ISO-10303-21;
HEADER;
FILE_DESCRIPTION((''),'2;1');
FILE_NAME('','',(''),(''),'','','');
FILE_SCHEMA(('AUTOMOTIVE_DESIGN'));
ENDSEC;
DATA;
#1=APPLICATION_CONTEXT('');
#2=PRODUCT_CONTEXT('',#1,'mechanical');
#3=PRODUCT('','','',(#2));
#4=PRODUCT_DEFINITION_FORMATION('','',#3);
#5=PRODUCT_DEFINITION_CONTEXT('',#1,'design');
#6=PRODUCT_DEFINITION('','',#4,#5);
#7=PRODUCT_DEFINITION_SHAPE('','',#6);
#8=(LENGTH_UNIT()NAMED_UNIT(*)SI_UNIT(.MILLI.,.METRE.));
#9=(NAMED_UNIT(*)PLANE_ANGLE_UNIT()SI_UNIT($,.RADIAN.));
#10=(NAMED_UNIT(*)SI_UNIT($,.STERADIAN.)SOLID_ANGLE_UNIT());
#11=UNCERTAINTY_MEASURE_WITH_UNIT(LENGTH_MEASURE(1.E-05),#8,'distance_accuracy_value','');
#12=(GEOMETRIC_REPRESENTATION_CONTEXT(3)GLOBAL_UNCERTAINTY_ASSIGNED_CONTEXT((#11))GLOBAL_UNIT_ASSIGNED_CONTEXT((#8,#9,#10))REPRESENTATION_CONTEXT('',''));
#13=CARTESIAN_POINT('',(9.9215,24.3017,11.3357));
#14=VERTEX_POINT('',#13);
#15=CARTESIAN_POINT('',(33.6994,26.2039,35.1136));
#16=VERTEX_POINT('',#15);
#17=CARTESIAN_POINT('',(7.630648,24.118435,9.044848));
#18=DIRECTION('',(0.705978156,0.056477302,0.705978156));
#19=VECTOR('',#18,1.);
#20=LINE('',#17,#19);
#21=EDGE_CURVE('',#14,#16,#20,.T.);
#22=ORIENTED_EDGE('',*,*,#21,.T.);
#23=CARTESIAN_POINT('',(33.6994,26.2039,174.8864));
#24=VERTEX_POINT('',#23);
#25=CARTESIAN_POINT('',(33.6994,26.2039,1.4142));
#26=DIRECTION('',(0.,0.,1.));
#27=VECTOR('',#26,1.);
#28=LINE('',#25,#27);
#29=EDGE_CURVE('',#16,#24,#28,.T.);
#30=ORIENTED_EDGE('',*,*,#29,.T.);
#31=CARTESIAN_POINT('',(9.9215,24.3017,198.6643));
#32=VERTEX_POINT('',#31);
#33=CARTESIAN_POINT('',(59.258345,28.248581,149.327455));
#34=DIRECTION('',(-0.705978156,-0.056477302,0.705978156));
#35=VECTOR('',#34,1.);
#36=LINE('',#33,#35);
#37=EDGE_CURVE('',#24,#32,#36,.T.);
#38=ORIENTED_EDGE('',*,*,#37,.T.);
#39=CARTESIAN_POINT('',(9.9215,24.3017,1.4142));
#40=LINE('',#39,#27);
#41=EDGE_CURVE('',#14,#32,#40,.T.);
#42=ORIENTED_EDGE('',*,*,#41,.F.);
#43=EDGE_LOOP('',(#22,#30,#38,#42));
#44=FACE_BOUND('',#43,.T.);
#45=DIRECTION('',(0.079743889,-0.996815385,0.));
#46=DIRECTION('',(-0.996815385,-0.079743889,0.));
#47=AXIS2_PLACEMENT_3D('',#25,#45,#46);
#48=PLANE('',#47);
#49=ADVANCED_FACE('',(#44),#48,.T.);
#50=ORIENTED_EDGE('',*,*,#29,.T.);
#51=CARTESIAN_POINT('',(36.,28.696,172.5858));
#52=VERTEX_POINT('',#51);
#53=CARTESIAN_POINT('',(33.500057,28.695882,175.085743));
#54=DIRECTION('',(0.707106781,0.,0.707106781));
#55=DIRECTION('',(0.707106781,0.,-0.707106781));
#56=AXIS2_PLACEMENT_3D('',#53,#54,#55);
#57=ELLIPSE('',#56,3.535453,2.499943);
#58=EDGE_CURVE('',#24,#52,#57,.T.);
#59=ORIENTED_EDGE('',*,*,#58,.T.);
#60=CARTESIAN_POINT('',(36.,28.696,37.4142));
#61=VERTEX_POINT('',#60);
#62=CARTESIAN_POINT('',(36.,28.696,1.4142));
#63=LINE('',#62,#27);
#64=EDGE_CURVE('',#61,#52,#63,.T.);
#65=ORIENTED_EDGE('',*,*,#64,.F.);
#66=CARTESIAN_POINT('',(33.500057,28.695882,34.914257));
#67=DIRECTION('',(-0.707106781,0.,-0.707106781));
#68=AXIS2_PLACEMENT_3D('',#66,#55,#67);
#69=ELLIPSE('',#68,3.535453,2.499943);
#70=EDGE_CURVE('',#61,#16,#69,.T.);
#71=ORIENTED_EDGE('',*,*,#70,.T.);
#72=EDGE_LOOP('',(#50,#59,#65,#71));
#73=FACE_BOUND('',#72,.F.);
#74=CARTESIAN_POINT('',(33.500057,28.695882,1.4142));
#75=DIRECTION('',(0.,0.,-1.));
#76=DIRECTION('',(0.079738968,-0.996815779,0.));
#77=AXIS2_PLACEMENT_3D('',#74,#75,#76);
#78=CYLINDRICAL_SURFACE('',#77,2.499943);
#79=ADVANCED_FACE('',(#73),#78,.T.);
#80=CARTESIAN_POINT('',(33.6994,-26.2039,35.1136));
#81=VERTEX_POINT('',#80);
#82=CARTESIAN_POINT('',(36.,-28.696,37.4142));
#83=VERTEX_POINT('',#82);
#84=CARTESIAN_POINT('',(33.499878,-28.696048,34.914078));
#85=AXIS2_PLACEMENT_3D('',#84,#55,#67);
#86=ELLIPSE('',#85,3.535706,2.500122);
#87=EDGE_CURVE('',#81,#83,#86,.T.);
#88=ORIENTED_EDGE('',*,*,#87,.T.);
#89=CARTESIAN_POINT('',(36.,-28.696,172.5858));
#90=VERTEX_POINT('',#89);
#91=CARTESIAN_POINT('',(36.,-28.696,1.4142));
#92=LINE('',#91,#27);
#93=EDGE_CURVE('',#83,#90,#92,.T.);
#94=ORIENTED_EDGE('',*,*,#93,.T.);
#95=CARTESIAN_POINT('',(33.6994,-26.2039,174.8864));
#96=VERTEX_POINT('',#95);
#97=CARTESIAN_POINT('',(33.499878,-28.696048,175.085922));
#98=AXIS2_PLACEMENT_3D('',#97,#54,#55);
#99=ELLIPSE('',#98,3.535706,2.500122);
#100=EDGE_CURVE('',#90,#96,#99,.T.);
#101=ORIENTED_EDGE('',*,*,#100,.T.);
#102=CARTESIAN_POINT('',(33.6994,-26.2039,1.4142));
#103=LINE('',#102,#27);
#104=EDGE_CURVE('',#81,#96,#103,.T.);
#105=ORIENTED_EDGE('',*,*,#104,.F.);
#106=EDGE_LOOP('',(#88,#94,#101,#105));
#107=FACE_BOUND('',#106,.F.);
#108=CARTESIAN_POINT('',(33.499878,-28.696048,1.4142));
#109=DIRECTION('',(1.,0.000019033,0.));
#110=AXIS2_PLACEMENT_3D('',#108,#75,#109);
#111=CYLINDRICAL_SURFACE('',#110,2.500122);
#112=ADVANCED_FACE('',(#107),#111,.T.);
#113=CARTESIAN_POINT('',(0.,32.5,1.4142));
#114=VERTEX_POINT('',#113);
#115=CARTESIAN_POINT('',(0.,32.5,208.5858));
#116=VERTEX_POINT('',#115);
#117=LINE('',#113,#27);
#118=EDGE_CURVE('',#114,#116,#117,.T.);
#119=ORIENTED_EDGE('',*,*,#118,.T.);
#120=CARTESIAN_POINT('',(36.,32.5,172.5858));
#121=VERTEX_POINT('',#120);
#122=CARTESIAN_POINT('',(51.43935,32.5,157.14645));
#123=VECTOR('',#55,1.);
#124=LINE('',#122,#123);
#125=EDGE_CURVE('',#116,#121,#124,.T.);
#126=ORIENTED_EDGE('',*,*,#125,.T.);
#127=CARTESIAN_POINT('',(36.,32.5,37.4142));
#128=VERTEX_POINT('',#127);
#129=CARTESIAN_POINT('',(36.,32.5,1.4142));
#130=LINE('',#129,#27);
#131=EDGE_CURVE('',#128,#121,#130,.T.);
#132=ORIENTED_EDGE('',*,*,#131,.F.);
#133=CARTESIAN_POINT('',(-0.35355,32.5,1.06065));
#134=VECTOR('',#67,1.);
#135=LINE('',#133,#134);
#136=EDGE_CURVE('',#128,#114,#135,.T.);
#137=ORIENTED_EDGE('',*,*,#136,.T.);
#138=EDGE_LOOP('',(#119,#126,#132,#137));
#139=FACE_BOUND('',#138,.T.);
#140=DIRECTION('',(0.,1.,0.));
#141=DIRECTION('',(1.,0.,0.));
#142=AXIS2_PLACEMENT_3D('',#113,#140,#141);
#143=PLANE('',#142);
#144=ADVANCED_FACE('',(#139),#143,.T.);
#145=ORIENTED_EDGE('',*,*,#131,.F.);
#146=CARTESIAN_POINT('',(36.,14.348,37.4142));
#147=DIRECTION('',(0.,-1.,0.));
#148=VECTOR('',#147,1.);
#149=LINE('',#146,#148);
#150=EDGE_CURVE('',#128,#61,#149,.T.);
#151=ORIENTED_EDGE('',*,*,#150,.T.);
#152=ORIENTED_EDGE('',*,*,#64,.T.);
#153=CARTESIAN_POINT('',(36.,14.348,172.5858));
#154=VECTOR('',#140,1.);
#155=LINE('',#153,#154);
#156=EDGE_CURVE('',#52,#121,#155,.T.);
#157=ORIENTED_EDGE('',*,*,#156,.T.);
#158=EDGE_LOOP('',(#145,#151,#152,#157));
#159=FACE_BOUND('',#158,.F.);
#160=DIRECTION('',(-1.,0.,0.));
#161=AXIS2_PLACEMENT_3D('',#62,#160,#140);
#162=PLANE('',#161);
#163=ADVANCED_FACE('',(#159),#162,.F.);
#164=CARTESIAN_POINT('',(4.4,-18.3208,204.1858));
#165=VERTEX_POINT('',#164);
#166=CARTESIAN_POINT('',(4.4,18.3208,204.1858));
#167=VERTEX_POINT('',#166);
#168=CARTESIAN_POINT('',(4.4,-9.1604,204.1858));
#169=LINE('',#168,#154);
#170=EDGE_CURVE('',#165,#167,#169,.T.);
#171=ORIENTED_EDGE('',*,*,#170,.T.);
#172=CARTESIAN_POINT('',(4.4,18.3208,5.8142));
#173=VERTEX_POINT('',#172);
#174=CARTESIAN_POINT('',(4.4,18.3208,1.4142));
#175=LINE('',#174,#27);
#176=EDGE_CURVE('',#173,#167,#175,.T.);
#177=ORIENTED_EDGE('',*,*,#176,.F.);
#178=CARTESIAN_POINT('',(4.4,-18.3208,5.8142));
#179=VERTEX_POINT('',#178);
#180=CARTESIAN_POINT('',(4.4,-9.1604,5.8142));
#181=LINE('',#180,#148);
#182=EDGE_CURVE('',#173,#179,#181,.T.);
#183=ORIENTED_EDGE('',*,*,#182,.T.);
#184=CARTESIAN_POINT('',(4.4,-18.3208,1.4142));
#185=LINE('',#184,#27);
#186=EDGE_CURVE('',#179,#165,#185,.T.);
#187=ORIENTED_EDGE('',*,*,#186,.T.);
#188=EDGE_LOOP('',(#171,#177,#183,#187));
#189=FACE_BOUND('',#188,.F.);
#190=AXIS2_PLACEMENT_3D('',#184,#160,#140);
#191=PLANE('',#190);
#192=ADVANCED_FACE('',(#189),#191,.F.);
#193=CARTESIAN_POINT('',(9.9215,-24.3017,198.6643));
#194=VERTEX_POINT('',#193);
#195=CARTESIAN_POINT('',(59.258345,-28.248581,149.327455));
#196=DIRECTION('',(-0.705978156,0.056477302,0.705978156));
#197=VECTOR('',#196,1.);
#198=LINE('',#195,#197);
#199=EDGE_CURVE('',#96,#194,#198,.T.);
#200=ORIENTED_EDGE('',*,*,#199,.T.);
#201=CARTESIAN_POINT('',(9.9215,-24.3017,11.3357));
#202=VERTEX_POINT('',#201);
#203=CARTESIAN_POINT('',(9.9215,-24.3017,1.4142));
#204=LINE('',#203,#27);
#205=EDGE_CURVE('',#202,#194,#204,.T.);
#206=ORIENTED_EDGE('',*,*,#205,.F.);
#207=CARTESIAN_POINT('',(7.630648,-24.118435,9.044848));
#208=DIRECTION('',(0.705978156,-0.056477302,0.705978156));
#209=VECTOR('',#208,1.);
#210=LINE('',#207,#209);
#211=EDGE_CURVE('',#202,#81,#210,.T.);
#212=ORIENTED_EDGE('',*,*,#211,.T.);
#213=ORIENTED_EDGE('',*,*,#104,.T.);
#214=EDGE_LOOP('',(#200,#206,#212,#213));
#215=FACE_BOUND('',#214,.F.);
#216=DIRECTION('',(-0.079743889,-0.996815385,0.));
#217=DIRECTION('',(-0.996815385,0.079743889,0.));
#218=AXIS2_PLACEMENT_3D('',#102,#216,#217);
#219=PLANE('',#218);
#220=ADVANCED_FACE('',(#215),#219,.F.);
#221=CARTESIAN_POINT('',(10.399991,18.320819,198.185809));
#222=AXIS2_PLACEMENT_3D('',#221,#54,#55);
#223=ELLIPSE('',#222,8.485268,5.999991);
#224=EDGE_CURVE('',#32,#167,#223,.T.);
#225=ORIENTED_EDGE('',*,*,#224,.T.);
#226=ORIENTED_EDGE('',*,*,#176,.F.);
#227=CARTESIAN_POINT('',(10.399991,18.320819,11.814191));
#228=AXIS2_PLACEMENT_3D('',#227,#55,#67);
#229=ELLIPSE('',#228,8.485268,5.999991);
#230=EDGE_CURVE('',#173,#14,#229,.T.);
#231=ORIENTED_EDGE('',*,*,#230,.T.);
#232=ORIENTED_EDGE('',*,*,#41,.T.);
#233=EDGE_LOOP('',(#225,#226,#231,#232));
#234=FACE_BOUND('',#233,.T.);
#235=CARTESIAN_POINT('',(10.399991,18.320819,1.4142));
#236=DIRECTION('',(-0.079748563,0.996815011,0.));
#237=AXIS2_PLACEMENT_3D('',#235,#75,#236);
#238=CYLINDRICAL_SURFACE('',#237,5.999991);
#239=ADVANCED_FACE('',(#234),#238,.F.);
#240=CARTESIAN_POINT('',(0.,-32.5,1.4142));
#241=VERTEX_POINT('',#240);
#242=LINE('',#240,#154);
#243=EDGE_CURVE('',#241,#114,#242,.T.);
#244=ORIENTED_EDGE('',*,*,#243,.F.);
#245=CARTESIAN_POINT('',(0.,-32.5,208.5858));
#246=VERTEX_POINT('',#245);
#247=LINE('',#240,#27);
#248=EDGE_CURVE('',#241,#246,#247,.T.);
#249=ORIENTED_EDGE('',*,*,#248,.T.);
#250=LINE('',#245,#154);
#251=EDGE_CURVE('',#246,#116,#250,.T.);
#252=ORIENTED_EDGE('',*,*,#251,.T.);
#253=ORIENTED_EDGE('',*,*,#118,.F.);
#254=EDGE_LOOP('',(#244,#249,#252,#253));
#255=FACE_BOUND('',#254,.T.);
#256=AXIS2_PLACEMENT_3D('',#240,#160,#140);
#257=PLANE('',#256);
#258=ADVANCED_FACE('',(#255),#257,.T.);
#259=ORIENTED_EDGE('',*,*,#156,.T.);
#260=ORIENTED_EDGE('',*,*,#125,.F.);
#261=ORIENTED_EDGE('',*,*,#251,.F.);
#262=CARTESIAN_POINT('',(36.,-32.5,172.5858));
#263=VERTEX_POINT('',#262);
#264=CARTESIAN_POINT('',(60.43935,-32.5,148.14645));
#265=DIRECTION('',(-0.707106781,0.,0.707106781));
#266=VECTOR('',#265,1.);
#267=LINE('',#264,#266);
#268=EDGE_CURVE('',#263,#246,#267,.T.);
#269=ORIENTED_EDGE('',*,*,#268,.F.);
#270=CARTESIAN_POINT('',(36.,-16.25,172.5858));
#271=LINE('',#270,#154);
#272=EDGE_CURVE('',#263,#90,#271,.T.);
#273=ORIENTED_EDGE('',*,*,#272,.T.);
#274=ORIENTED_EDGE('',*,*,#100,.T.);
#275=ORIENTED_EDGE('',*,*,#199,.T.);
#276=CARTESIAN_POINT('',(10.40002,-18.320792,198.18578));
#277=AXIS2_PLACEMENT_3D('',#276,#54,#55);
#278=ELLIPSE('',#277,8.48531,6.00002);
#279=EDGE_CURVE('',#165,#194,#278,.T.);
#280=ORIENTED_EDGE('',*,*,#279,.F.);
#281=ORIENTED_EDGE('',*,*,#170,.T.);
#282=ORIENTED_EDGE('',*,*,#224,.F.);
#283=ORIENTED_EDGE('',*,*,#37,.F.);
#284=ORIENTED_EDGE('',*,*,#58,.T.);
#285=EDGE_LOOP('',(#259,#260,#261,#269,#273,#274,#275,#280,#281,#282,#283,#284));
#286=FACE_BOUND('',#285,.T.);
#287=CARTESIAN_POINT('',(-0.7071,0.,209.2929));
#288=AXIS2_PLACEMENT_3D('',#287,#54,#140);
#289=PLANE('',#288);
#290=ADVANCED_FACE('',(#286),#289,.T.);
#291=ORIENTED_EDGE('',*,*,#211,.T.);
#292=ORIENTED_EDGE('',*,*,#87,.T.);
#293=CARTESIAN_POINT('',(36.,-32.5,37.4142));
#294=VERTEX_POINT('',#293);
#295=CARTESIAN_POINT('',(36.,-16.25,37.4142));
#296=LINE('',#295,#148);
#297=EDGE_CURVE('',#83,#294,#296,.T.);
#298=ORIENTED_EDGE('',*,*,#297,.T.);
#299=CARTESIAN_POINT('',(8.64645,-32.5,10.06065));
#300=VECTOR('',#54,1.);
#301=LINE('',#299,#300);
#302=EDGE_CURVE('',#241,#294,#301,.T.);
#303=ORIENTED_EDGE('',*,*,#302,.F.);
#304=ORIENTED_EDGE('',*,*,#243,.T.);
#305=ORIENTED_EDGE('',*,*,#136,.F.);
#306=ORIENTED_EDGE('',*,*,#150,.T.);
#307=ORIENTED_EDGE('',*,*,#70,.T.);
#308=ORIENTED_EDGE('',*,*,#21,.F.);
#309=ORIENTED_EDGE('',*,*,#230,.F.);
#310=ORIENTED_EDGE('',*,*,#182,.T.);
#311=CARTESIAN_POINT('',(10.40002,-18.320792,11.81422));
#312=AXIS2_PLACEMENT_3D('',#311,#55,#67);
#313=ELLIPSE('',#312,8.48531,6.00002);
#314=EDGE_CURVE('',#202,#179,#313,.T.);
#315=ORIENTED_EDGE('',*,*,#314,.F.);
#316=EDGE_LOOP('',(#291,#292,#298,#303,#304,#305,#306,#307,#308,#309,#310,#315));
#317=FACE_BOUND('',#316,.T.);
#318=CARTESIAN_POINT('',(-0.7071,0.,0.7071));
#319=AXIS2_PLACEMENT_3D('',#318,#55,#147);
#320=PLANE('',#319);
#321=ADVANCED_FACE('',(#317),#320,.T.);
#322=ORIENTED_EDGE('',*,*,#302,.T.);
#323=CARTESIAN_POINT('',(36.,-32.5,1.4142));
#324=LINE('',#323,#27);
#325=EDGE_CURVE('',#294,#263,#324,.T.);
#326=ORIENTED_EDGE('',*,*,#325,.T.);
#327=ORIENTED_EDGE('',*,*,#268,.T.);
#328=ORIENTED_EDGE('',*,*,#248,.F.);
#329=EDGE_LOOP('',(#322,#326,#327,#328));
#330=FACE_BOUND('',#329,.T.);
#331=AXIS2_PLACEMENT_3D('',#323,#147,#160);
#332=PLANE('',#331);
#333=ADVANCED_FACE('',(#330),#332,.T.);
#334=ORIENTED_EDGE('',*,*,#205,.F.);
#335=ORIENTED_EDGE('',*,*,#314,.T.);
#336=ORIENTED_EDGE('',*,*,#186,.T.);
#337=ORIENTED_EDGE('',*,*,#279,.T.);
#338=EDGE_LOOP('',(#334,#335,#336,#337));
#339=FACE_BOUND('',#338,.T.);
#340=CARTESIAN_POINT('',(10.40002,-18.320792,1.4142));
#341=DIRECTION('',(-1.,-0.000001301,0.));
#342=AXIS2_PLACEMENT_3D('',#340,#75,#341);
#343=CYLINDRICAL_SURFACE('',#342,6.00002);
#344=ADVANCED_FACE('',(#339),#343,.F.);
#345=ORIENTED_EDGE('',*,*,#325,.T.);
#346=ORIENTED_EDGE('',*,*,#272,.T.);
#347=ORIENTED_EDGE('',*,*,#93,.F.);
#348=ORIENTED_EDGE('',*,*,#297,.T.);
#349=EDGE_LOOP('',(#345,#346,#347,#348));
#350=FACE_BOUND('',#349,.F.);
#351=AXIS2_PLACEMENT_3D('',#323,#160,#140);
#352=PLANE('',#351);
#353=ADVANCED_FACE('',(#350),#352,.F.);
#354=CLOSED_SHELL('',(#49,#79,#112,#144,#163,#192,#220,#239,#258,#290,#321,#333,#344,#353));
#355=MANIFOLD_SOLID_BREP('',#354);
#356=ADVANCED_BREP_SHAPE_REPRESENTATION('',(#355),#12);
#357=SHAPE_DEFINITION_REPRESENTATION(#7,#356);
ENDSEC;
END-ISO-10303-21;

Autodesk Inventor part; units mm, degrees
ref_plane "Начальная плоскость" through (0, 0, 1.4142) normal (0, 0, 1) x (1, 0, 0)
ref_plane "Конечная плоскость" through (0, 0, 208.5858) normal (0, 0, 1) x (1, 0, 0)
sketch "Эскиз" plane through (0, 0, 0) normal (0, 0, 1) x (1, 0, 0)
  line L0 (36, -32.5) -> (0, -32.5)
  line L1 (36, -32.5) -> (36, -28.696)
  line L2 (33.6994, -26.2039) -> (9.9215, -24.3017)
  line L3 (4.4, -18.3208) -> (4.4, 18.3208)
  line L4 (33.6994, 26.2039) -> (9.9215, 24.3017)
  line L5 (36, 28.696) -> (36, 32.5)
  line L6 (0, 32.5) -> (36, 32.5)
  line L7 (0, -32.5) -> (0, 32.5)
  arc A0 (4.4, -18.3208) -> (9.9215, -24.3017) centre (10.4, -18.3208) ccw
  arc A1 (9.9215, 24.3017) -> (4.4, 18.3208) centre (10.4, 18.3208) ccw
  arc A2 (36, -28.696) -> (33.6994, -26.2039) centre (33.5, -28.696) ccw
  arc A3 (33.6994, 26.2039) -> (36, 28.696) centre (33.5, 28.696) ccw
  line L8 (0, 45.5) -> (0, -45.5) construction
  line L9 (-7.2974, 0) -> (43.7847, 0) construction
  point P0 (36, -26.388)
  point P1 (4.4, -23.86)
  point P2 (4.4, 23.86)
  point P3 (36, 26.388)
  dimension "d3" = 36
  dimension "d5" = 4.4
  dimension "d7" = 65
  dimension "d9" = 8.64
  dimension "d11" = 8.64
  dimension "d13" = 6.112
  dimension "d15" = 6.112
  dimension "d22" = 6
  dimension "d23" = 2.5
  dimension "d24" = 32.5
  dimension "d25" = 0
extrude "Тело" add sketch "Эскиз" along normal up to surface (207.1716 mm away) from surface at 1.4142
sketch "Sketch3" plane through (0, 0, 0) normal (0, 0, 1) x (1, 0, 0)
  line L0 (0, 0) -> (10, 0)
ref_plane "Work Plane7" through (0, 0, 0) normal (0, -1, 0) x (1, 0, 0)
sketch "Sketch4" plane through (0, 0, 0) normal (0, -1, 0) x (1, 0, 0)
  line L0 (-2, 1.4142) -> (12, 1.4142)
  line L1 (-2, 208.5858) -> (12, 208.5858)
  dimension "d29" = 207.1716
ref_plane "РабПлоскость8" through (-0.7071, 0, 0.7071) normal (0.7071, 0, -0.7071) x (-0.7071, 0, -0.7071)
split "Разделение1" plane through (-0.7071, 0, 0.7071) removes the side toward (0.7071, 0, -0.7071)
ref_plane "РабПлоскость9" through (-0.7071, 0, 209.2929) normal (0.7071, 0, 0.7071) x (0.7071, 0, -0.7071)
split "Разделение2" plane through (-0.7071, 0, 209.2929) removes the side toward (0.7071, 0, 0.7071)
equation "\"d3\" = b"
equation "\"d5\" = t1"
equation "\"d7\" = ParH"
equation "\"d9\" = msp_x1 + t2"
equation "\"d11\" = msp_x1 + t2"
equation "\"d13\" = -msp_x2 + t2"
equation "\"d15\" = -msp_x2 + t2"
equation "\"d22\" = R"
equation "\"d23\" = R1"
equation "\"d24\" = 0.5 * d7"
equation "\"d16\" = G_L"
equation "\"R1\" = 2.5"
equation "\"R\" = 6"
equation "\"t1\" = 4.4"
equation "\"t2\" = 7.2"
equation "\"ParH\" = 65"
equation "\"b\" = 36"
equation "\"msp_x1\" = 0.04 * b"
equation "\"msp_x2\" = -0.08 * t1 + 0.04 * b"
equation "\"G_L\" = d29"
equation "\"ex\" = 0"
equation "\"G_OFFSET_START\" = -1.41421"
equation "\"G_OFFSET_END\" = -1.41421"
equation "\"d26\" = -G_OFFSET_START"
equation "\"d27\" = G_OFFSET_END + B_L"
equation "\"B_L\" = 210"
properties part number "Швеллер 6.5U-207,17 ГОСТ 8240-97" material "Сталь, мягкая, сварочная"
